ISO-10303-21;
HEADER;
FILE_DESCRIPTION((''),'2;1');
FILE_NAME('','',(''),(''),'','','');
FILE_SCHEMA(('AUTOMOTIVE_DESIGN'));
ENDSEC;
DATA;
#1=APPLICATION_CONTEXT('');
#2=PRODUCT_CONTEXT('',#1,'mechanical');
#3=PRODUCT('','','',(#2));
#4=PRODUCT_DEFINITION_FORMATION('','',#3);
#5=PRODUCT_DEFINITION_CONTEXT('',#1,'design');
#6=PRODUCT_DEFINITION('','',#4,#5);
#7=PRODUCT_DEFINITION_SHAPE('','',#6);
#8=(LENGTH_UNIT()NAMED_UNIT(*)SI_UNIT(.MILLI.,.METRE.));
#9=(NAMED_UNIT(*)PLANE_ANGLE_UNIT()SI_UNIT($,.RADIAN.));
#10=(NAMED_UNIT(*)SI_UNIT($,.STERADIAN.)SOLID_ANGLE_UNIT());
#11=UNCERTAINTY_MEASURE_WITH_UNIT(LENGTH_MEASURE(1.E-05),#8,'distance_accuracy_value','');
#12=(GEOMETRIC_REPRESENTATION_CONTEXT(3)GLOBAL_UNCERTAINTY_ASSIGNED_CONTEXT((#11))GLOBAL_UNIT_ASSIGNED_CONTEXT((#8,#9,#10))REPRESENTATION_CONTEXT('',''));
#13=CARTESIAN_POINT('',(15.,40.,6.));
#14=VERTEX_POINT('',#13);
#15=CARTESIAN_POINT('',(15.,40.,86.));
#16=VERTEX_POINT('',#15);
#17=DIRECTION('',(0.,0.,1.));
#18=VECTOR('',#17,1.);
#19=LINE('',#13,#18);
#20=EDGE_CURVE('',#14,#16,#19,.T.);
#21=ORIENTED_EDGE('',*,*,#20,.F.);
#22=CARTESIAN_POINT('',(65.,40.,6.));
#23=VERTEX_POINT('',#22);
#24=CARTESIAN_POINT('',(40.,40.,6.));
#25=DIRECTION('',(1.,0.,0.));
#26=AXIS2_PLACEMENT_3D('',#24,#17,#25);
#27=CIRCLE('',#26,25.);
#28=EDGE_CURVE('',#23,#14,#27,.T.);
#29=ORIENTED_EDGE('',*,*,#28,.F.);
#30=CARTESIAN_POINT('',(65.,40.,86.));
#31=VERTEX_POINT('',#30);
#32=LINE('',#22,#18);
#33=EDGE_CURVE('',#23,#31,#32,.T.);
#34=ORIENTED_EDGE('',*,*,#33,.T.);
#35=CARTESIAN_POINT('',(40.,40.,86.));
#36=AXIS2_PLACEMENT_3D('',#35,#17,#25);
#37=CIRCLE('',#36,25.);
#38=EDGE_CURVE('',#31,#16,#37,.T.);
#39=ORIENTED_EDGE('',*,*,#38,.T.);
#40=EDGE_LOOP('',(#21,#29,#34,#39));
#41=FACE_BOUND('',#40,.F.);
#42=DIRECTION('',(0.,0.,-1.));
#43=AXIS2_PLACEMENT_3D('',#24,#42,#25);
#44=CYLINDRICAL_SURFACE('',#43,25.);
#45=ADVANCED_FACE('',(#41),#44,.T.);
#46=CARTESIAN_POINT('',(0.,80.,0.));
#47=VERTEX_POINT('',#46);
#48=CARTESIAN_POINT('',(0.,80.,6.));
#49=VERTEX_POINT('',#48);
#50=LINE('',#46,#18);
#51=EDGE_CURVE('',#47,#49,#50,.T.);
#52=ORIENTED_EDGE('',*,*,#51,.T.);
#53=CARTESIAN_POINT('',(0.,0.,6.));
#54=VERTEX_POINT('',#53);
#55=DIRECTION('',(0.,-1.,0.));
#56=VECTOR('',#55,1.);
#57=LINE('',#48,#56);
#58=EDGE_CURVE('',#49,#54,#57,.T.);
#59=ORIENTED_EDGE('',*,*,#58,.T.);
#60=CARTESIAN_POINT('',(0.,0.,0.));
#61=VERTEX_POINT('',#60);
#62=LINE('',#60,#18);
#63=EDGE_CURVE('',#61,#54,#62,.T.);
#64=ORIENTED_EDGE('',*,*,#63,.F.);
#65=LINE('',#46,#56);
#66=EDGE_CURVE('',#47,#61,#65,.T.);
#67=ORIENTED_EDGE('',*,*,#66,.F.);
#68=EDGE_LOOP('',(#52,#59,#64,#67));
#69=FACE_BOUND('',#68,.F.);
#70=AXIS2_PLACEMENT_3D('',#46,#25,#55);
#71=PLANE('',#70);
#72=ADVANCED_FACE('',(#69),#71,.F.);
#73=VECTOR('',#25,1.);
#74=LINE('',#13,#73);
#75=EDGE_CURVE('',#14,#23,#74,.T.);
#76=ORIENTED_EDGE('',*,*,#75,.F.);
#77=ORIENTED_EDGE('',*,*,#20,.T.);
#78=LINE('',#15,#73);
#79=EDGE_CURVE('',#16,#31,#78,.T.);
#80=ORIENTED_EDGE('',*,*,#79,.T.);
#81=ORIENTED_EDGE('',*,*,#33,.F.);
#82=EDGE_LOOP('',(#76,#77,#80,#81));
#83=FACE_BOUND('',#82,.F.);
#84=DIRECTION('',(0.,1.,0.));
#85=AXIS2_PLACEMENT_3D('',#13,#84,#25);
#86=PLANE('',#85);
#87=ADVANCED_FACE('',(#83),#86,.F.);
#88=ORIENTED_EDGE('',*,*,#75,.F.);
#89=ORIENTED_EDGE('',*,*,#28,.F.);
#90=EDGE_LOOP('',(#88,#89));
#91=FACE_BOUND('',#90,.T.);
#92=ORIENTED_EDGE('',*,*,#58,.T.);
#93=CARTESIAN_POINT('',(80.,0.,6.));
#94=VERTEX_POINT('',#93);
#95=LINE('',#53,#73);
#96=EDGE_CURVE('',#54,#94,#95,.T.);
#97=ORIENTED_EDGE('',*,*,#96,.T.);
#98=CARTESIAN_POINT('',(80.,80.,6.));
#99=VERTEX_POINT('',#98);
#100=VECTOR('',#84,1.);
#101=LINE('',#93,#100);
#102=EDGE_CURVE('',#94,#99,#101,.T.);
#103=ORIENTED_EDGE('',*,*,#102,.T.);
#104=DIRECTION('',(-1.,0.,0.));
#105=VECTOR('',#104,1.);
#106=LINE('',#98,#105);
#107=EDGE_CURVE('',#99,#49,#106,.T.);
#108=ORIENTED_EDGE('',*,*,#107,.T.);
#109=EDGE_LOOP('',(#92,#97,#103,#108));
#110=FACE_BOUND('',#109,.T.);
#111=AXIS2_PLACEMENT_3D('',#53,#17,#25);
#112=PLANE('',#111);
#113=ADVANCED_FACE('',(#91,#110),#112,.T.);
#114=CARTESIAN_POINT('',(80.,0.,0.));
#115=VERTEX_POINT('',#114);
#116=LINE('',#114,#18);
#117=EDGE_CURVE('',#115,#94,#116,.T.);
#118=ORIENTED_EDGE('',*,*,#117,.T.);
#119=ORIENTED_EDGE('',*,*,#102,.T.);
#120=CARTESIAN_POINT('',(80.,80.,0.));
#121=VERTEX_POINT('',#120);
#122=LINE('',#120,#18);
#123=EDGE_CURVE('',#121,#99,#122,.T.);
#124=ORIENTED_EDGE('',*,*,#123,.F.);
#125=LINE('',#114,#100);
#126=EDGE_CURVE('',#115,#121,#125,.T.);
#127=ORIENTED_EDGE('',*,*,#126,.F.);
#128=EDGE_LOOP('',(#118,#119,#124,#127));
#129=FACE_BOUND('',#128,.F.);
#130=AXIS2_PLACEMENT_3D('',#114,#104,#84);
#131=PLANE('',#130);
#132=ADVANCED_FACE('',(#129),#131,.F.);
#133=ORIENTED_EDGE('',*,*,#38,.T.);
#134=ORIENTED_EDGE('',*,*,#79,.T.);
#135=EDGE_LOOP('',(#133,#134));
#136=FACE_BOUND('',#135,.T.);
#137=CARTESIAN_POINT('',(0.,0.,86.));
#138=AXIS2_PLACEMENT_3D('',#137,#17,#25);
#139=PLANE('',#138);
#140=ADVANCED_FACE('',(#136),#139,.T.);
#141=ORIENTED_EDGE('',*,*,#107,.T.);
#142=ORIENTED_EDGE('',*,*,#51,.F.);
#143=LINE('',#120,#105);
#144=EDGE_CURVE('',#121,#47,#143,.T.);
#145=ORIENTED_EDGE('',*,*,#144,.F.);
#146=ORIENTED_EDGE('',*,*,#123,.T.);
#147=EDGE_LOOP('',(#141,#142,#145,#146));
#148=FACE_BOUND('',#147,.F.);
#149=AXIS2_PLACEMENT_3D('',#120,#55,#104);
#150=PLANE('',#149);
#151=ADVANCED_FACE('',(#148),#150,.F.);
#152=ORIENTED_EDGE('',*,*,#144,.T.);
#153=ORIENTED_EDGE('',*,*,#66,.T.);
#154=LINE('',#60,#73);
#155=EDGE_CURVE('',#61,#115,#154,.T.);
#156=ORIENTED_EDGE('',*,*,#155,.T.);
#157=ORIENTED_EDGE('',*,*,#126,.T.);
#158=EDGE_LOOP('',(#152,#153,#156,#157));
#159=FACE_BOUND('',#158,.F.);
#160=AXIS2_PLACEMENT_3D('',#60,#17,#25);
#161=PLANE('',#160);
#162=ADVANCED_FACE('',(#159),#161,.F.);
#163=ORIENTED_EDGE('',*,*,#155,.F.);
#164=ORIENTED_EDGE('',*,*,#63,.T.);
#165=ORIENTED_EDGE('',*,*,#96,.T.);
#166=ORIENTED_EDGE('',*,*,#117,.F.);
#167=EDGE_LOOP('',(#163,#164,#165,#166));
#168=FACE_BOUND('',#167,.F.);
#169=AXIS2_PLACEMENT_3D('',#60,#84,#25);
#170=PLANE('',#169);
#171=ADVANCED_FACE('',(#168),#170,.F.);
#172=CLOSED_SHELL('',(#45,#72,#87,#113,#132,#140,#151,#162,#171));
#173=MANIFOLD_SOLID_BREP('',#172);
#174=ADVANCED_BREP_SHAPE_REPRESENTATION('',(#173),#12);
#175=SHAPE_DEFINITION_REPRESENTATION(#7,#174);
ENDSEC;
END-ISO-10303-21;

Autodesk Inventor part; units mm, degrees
ref_plane "YZ Plane" through (0, 0, 0) normal (1, 0, 0) x (0, 1, 0)
ref_plane "XZ Plane" through (0, 0, 0) normal (0, 1, 0) x (-1, 0, 0)
ref_plane "XY Plane" through (0, 0, 0) normal (0, 0, 1) x (1, 0, 0)
sketch "Sketch1" plane through (0, 0, 0) normal (0, 0, 1) x (1, 0, 0)
  line L0 (0, 0) -> (80, 0)
  line L1 (80, 0) -> (80, 80)
  line L2 (80, 80) -> (0, 80)
  line L3 (0, 80) -> (0, 0)
  dimension "d0" = 80
  dimension "d1" = 80
extrude "Extrusion1" add sketch "Sketch1" along normal blind 6
sketch "Sketch2" plane through (0, 0, 6) normal (0, 0, 1) x (1, 0, 0)
  line L0 (80, 80) -> (0, 80) projected
  line L1 (0, 80) -> (0, 0) projected
  arc A0 (65, 40) -> (15, 40) centre (40, 40) ccw
  line L2 (15, 40) -> (65, 40)
  dimension "d4" = 50
  dimension "d5" = 40
  dimension "d6" = 40
extrude "Extrusion2" add sketch "Sketch2" along normal blind 80
properties part number "SpoolHolder"
